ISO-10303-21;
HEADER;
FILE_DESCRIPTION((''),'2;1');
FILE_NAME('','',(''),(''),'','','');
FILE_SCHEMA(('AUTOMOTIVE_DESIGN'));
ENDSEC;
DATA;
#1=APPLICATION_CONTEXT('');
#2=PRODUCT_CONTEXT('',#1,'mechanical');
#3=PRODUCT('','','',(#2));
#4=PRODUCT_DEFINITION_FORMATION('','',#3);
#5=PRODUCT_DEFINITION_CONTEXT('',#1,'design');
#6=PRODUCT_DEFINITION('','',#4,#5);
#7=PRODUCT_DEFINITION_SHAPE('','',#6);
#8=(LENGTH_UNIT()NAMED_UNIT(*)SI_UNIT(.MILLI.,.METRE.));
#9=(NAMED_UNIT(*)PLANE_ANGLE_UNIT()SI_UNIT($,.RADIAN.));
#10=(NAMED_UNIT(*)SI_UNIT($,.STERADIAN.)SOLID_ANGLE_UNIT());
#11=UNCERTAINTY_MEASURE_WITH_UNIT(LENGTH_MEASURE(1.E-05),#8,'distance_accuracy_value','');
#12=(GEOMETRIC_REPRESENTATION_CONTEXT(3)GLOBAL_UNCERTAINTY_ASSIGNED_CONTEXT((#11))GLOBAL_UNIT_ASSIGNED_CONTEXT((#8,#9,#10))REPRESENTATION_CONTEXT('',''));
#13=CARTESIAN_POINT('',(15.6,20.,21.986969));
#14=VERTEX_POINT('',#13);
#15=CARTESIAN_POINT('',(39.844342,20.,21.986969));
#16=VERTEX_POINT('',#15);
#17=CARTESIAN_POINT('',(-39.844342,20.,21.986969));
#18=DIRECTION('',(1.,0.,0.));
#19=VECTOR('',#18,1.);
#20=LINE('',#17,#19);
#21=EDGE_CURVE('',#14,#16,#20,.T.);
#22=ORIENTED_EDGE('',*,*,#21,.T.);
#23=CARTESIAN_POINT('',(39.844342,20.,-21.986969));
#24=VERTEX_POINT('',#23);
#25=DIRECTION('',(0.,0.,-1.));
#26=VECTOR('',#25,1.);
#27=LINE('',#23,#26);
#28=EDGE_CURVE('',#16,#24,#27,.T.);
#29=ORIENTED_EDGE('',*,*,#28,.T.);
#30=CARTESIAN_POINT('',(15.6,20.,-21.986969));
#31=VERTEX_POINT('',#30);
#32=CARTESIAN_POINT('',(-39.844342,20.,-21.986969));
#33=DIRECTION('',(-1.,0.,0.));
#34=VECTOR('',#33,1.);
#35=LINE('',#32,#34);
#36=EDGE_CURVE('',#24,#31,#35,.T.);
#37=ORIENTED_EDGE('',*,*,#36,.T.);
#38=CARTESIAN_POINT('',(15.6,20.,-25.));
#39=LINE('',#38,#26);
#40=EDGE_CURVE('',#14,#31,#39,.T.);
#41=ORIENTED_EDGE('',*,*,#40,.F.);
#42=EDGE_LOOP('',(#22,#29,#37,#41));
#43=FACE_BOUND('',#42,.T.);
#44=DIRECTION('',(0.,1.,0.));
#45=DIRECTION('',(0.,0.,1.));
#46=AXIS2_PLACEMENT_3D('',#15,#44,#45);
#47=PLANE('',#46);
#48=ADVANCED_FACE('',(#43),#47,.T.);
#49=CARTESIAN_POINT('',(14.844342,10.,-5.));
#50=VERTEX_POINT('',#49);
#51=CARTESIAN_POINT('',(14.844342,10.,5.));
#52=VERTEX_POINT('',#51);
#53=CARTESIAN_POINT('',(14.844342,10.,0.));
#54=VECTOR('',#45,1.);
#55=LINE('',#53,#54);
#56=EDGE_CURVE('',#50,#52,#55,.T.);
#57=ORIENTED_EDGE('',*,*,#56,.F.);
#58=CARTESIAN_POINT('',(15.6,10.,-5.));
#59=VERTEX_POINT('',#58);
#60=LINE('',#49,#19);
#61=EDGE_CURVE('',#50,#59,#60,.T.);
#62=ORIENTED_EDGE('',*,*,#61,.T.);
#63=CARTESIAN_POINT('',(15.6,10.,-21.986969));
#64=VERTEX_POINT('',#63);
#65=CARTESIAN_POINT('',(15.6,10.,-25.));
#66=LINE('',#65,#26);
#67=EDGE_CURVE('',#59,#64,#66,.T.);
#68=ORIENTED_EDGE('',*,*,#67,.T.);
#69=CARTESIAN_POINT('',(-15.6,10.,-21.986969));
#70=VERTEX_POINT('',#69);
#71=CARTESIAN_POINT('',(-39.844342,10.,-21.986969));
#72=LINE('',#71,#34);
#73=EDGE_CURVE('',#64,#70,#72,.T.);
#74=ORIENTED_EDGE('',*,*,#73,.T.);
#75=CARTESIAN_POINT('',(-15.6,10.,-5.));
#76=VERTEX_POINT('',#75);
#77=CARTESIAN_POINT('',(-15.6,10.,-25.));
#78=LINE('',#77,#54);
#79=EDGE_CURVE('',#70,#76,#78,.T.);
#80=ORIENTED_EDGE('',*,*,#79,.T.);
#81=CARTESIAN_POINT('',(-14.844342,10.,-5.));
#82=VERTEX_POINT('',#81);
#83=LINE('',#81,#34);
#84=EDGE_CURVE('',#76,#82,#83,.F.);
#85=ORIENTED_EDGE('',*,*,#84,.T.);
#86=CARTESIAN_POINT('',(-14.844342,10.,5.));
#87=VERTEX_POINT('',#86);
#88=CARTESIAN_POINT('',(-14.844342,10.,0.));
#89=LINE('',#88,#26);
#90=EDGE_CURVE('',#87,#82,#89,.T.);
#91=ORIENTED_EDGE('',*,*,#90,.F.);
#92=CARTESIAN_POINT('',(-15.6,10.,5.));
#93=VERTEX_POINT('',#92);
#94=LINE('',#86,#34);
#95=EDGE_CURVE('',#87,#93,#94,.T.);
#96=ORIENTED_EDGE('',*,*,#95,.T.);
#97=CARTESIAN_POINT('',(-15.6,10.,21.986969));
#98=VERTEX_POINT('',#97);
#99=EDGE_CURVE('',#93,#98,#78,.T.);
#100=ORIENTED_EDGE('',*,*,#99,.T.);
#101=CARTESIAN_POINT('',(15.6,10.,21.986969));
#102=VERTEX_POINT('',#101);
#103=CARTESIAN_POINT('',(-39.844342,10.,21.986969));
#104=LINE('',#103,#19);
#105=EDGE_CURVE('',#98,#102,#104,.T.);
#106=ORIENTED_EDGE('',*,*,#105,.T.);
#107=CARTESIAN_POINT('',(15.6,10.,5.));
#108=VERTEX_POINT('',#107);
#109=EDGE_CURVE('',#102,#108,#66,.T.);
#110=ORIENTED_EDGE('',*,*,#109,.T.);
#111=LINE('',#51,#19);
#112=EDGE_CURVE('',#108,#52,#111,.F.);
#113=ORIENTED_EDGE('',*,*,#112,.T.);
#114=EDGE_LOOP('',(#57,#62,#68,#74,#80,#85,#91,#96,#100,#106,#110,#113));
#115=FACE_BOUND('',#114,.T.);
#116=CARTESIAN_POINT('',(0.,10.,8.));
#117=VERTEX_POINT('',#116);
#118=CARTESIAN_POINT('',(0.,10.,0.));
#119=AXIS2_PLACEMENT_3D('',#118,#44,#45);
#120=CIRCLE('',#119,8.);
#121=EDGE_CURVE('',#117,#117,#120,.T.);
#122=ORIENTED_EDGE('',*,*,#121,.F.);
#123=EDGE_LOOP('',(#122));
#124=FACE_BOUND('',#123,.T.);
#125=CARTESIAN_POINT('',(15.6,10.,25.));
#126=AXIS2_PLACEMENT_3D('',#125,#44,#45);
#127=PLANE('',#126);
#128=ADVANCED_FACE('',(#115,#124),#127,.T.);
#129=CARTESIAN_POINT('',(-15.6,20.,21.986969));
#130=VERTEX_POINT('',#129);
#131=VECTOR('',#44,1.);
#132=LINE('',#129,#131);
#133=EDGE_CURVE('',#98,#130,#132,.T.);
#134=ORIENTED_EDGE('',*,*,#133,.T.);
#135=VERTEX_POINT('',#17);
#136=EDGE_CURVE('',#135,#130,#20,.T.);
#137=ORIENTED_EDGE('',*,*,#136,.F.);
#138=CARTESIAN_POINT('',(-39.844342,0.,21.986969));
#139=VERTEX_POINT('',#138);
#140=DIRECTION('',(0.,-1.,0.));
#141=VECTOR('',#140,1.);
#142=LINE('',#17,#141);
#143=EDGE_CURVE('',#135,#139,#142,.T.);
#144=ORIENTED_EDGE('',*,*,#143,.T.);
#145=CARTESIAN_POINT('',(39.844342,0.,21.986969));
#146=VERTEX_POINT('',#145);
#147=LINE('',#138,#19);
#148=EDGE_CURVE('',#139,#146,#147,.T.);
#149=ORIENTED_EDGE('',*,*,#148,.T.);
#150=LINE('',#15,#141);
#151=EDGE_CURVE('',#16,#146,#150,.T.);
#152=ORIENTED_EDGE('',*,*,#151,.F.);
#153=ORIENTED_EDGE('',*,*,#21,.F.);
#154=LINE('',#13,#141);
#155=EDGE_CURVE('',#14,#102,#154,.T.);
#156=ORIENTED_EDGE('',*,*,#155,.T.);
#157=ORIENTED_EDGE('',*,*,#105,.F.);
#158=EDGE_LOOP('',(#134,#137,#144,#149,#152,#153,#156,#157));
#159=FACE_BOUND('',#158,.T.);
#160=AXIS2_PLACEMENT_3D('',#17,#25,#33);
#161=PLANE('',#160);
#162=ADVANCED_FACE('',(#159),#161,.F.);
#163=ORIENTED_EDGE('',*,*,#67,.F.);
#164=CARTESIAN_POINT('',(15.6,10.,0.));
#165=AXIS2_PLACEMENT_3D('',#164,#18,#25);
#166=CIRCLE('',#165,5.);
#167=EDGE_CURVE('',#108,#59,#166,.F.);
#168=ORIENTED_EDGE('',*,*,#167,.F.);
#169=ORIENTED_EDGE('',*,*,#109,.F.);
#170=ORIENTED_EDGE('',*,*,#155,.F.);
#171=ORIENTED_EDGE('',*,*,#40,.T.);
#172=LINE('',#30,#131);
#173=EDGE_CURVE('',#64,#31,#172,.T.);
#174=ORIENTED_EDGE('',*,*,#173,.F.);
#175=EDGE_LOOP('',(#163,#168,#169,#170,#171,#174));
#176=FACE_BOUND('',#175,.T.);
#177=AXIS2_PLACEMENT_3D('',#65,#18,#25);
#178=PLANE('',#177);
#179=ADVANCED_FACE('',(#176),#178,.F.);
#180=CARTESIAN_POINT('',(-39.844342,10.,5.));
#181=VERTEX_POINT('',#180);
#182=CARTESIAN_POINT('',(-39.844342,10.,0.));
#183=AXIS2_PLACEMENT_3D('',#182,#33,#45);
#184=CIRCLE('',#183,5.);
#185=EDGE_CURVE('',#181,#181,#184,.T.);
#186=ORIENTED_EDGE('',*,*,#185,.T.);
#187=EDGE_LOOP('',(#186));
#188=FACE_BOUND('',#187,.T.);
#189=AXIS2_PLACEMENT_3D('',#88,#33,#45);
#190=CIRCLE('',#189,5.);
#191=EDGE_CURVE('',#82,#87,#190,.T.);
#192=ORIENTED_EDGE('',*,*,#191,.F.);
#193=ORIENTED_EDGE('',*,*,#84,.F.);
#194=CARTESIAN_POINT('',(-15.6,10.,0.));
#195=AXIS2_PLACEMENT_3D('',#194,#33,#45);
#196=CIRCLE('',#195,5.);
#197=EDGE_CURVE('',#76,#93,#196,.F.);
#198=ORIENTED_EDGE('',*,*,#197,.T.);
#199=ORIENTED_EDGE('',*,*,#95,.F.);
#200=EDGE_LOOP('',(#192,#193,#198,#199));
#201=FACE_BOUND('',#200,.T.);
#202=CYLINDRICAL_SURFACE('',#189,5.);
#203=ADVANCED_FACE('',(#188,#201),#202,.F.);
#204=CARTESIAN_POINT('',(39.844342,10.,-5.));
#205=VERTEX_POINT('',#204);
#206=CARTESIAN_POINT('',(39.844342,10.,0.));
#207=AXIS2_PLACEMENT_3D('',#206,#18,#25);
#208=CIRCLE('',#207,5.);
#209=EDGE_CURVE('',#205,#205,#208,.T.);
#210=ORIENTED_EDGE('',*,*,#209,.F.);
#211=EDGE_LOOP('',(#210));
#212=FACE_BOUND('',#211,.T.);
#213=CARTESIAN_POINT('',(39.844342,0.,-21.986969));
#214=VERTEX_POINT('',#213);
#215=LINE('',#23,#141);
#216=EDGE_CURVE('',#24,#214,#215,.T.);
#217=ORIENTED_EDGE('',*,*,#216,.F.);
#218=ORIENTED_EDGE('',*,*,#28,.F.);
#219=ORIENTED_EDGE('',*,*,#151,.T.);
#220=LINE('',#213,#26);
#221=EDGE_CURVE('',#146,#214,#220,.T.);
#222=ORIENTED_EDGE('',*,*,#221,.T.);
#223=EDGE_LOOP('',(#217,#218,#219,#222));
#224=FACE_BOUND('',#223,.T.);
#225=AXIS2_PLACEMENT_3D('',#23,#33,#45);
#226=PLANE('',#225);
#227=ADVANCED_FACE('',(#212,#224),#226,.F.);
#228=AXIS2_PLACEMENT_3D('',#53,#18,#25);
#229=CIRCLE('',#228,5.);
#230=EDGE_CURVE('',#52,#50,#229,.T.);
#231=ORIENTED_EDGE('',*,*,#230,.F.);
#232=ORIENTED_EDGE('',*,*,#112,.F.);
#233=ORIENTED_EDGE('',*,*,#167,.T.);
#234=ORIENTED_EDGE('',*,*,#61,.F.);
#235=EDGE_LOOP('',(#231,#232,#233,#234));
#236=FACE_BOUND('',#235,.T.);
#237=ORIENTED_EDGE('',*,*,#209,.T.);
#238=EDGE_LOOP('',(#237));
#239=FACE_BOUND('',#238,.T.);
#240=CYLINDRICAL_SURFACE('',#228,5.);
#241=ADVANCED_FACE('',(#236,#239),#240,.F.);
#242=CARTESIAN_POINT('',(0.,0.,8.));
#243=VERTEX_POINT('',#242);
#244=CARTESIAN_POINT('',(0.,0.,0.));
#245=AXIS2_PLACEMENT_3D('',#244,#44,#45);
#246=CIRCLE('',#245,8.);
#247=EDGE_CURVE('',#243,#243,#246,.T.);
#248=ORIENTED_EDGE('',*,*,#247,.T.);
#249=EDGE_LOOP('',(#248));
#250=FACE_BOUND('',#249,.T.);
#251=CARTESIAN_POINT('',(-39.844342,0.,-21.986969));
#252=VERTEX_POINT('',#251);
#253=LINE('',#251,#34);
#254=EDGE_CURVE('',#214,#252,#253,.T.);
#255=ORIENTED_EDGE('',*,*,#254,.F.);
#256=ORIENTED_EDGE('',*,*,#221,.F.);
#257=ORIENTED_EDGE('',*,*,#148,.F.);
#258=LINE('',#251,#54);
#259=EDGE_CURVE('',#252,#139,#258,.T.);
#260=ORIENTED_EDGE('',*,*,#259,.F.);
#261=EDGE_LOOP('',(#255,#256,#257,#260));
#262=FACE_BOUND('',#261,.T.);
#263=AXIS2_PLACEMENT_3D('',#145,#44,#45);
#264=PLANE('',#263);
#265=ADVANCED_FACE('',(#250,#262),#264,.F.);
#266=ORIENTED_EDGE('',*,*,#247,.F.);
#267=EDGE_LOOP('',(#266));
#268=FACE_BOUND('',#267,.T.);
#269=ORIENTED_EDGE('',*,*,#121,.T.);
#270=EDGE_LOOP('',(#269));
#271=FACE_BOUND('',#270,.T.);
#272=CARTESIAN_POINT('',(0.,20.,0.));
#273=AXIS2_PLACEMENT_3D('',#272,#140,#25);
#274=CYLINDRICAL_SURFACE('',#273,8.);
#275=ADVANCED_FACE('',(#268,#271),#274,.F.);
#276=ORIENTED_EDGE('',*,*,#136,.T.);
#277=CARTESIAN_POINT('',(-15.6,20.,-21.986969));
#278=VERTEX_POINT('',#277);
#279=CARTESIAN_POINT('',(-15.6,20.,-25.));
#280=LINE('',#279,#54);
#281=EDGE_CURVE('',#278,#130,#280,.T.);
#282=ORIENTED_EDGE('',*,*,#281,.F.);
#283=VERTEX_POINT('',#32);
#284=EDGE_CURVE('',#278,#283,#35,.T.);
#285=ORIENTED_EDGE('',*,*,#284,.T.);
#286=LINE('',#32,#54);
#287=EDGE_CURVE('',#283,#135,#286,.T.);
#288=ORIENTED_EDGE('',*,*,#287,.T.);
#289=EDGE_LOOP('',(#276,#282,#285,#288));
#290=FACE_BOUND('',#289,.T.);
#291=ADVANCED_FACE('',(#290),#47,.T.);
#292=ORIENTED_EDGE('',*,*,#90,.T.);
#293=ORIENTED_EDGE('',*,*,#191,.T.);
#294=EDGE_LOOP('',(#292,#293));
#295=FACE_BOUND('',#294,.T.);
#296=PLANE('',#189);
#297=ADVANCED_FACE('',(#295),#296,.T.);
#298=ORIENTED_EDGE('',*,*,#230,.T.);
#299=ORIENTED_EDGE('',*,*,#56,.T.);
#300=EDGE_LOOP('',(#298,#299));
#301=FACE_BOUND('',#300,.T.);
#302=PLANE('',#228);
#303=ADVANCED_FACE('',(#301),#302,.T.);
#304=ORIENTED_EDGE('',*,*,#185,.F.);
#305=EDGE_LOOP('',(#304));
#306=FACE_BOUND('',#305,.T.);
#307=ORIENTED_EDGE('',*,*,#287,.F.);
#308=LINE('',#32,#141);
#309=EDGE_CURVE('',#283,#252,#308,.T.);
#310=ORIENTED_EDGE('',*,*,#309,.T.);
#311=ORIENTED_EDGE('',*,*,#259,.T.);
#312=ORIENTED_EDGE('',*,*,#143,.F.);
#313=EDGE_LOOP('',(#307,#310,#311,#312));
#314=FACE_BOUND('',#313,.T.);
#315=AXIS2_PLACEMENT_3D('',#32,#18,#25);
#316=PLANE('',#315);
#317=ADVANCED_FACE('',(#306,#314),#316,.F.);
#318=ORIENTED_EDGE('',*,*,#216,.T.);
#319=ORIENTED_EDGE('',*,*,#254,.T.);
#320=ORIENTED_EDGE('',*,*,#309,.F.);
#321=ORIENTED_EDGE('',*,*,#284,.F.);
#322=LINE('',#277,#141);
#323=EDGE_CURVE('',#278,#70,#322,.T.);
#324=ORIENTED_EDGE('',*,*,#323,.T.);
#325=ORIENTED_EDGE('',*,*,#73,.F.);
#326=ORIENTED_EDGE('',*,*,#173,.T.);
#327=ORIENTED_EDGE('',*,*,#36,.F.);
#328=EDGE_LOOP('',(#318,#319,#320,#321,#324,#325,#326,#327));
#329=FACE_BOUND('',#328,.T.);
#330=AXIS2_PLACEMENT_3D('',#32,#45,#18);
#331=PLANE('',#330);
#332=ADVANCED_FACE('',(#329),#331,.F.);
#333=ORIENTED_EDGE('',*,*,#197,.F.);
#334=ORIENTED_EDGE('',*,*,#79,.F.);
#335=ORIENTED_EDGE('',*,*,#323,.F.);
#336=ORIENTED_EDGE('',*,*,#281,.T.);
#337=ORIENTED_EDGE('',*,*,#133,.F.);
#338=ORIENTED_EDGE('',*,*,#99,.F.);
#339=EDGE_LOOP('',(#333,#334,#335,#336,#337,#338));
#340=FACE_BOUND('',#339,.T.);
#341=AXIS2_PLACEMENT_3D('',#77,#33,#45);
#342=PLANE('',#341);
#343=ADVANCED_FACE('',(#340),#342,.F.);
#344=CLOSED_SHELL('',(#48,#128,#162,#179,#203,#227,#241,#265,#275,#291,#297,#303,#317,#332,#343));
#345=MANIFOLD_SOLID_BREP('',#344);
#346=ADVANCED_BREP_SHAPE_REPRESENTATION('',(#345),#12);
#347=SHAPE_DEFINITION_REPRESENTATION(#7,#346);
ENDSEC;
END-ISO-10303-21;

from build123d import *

# Parameters (mm, degrees)
SKETCH_1_W          = 79.688684702
SKETCH_1_H          = 43.973938876
SKETCH_1_R          = 8
EXTRUDE_1_DEPTH     = 20
SKETCH_2_R          = 5
CUT_EXTRUDE_2_DEPTH = 25
CUT_EXTRUDE_START   = -25
SKETCH_3_R          = 5
CUT_EXTRUDE_3_DEPTH = 25
SKETCH_4_W          = 31.2
SKETCH_4_H          = 50
CUT_EXTRUDE_4_DEPTH = 10


with BuildPart() as part:
    # Эскиз1 → Вытянуть1 (new body)
    with BuildSketch(Plane(origin=(0, 0, 0), x_dir=(1, 0, 0), z_dir=(0, 1, 0))):
        Rectangle(SKETCH_1_W, SKETCH_1_H)
        with Locations(Location((0, 0, 0), (0, 0, 270))):
            Circle(SKETCH_1_R, mode=Mode.SUBTRACT)
    extrude(amount=EXTRUDE_1_DEPTH)

    # Эскиз2 → Вытянуть2 (cut)
    with BuildSketch(Plane.ZY.offset(39.844342351)):
        with Locations((0, 10)):
            Circle(SKETCH_2_R)
    extrude(amount=-CUT_EXTRUDE_2_DEPTH, mode=Mode.SUBTRACT)

    # Эскиз3 → Вытянуть3 (cut)
    with BuildSketch(Plane(origin=(39.844342351, 0, 0), x_dir=(0, 0, -1), z_dir=(1, 0, 0)).offset(CUT_EXTRUDE_START)):
        with Locations(Location((0, 10, 0), (0, 0, 180))):
            Circle(SKETCH_3_R)
    extrude(amount=CUT_EXTRUDE_3_DEPTH, mode=Mode.SUBTRACT)

    # Эскиз4 → Вытянуть4 (cut)
    with BuildSketch(Plane(origin=(0, 20, 0), x_dir=(1, 0, 0), z_dir=(0, 1, 0))):
        Rectangle(SKETCH_4_W, SKETCH_4_H)
    extrude(amount=-CUT_EXTRUDE_4_DEPTH, mode=Mode.SUBTRACT)


solid = part.part
